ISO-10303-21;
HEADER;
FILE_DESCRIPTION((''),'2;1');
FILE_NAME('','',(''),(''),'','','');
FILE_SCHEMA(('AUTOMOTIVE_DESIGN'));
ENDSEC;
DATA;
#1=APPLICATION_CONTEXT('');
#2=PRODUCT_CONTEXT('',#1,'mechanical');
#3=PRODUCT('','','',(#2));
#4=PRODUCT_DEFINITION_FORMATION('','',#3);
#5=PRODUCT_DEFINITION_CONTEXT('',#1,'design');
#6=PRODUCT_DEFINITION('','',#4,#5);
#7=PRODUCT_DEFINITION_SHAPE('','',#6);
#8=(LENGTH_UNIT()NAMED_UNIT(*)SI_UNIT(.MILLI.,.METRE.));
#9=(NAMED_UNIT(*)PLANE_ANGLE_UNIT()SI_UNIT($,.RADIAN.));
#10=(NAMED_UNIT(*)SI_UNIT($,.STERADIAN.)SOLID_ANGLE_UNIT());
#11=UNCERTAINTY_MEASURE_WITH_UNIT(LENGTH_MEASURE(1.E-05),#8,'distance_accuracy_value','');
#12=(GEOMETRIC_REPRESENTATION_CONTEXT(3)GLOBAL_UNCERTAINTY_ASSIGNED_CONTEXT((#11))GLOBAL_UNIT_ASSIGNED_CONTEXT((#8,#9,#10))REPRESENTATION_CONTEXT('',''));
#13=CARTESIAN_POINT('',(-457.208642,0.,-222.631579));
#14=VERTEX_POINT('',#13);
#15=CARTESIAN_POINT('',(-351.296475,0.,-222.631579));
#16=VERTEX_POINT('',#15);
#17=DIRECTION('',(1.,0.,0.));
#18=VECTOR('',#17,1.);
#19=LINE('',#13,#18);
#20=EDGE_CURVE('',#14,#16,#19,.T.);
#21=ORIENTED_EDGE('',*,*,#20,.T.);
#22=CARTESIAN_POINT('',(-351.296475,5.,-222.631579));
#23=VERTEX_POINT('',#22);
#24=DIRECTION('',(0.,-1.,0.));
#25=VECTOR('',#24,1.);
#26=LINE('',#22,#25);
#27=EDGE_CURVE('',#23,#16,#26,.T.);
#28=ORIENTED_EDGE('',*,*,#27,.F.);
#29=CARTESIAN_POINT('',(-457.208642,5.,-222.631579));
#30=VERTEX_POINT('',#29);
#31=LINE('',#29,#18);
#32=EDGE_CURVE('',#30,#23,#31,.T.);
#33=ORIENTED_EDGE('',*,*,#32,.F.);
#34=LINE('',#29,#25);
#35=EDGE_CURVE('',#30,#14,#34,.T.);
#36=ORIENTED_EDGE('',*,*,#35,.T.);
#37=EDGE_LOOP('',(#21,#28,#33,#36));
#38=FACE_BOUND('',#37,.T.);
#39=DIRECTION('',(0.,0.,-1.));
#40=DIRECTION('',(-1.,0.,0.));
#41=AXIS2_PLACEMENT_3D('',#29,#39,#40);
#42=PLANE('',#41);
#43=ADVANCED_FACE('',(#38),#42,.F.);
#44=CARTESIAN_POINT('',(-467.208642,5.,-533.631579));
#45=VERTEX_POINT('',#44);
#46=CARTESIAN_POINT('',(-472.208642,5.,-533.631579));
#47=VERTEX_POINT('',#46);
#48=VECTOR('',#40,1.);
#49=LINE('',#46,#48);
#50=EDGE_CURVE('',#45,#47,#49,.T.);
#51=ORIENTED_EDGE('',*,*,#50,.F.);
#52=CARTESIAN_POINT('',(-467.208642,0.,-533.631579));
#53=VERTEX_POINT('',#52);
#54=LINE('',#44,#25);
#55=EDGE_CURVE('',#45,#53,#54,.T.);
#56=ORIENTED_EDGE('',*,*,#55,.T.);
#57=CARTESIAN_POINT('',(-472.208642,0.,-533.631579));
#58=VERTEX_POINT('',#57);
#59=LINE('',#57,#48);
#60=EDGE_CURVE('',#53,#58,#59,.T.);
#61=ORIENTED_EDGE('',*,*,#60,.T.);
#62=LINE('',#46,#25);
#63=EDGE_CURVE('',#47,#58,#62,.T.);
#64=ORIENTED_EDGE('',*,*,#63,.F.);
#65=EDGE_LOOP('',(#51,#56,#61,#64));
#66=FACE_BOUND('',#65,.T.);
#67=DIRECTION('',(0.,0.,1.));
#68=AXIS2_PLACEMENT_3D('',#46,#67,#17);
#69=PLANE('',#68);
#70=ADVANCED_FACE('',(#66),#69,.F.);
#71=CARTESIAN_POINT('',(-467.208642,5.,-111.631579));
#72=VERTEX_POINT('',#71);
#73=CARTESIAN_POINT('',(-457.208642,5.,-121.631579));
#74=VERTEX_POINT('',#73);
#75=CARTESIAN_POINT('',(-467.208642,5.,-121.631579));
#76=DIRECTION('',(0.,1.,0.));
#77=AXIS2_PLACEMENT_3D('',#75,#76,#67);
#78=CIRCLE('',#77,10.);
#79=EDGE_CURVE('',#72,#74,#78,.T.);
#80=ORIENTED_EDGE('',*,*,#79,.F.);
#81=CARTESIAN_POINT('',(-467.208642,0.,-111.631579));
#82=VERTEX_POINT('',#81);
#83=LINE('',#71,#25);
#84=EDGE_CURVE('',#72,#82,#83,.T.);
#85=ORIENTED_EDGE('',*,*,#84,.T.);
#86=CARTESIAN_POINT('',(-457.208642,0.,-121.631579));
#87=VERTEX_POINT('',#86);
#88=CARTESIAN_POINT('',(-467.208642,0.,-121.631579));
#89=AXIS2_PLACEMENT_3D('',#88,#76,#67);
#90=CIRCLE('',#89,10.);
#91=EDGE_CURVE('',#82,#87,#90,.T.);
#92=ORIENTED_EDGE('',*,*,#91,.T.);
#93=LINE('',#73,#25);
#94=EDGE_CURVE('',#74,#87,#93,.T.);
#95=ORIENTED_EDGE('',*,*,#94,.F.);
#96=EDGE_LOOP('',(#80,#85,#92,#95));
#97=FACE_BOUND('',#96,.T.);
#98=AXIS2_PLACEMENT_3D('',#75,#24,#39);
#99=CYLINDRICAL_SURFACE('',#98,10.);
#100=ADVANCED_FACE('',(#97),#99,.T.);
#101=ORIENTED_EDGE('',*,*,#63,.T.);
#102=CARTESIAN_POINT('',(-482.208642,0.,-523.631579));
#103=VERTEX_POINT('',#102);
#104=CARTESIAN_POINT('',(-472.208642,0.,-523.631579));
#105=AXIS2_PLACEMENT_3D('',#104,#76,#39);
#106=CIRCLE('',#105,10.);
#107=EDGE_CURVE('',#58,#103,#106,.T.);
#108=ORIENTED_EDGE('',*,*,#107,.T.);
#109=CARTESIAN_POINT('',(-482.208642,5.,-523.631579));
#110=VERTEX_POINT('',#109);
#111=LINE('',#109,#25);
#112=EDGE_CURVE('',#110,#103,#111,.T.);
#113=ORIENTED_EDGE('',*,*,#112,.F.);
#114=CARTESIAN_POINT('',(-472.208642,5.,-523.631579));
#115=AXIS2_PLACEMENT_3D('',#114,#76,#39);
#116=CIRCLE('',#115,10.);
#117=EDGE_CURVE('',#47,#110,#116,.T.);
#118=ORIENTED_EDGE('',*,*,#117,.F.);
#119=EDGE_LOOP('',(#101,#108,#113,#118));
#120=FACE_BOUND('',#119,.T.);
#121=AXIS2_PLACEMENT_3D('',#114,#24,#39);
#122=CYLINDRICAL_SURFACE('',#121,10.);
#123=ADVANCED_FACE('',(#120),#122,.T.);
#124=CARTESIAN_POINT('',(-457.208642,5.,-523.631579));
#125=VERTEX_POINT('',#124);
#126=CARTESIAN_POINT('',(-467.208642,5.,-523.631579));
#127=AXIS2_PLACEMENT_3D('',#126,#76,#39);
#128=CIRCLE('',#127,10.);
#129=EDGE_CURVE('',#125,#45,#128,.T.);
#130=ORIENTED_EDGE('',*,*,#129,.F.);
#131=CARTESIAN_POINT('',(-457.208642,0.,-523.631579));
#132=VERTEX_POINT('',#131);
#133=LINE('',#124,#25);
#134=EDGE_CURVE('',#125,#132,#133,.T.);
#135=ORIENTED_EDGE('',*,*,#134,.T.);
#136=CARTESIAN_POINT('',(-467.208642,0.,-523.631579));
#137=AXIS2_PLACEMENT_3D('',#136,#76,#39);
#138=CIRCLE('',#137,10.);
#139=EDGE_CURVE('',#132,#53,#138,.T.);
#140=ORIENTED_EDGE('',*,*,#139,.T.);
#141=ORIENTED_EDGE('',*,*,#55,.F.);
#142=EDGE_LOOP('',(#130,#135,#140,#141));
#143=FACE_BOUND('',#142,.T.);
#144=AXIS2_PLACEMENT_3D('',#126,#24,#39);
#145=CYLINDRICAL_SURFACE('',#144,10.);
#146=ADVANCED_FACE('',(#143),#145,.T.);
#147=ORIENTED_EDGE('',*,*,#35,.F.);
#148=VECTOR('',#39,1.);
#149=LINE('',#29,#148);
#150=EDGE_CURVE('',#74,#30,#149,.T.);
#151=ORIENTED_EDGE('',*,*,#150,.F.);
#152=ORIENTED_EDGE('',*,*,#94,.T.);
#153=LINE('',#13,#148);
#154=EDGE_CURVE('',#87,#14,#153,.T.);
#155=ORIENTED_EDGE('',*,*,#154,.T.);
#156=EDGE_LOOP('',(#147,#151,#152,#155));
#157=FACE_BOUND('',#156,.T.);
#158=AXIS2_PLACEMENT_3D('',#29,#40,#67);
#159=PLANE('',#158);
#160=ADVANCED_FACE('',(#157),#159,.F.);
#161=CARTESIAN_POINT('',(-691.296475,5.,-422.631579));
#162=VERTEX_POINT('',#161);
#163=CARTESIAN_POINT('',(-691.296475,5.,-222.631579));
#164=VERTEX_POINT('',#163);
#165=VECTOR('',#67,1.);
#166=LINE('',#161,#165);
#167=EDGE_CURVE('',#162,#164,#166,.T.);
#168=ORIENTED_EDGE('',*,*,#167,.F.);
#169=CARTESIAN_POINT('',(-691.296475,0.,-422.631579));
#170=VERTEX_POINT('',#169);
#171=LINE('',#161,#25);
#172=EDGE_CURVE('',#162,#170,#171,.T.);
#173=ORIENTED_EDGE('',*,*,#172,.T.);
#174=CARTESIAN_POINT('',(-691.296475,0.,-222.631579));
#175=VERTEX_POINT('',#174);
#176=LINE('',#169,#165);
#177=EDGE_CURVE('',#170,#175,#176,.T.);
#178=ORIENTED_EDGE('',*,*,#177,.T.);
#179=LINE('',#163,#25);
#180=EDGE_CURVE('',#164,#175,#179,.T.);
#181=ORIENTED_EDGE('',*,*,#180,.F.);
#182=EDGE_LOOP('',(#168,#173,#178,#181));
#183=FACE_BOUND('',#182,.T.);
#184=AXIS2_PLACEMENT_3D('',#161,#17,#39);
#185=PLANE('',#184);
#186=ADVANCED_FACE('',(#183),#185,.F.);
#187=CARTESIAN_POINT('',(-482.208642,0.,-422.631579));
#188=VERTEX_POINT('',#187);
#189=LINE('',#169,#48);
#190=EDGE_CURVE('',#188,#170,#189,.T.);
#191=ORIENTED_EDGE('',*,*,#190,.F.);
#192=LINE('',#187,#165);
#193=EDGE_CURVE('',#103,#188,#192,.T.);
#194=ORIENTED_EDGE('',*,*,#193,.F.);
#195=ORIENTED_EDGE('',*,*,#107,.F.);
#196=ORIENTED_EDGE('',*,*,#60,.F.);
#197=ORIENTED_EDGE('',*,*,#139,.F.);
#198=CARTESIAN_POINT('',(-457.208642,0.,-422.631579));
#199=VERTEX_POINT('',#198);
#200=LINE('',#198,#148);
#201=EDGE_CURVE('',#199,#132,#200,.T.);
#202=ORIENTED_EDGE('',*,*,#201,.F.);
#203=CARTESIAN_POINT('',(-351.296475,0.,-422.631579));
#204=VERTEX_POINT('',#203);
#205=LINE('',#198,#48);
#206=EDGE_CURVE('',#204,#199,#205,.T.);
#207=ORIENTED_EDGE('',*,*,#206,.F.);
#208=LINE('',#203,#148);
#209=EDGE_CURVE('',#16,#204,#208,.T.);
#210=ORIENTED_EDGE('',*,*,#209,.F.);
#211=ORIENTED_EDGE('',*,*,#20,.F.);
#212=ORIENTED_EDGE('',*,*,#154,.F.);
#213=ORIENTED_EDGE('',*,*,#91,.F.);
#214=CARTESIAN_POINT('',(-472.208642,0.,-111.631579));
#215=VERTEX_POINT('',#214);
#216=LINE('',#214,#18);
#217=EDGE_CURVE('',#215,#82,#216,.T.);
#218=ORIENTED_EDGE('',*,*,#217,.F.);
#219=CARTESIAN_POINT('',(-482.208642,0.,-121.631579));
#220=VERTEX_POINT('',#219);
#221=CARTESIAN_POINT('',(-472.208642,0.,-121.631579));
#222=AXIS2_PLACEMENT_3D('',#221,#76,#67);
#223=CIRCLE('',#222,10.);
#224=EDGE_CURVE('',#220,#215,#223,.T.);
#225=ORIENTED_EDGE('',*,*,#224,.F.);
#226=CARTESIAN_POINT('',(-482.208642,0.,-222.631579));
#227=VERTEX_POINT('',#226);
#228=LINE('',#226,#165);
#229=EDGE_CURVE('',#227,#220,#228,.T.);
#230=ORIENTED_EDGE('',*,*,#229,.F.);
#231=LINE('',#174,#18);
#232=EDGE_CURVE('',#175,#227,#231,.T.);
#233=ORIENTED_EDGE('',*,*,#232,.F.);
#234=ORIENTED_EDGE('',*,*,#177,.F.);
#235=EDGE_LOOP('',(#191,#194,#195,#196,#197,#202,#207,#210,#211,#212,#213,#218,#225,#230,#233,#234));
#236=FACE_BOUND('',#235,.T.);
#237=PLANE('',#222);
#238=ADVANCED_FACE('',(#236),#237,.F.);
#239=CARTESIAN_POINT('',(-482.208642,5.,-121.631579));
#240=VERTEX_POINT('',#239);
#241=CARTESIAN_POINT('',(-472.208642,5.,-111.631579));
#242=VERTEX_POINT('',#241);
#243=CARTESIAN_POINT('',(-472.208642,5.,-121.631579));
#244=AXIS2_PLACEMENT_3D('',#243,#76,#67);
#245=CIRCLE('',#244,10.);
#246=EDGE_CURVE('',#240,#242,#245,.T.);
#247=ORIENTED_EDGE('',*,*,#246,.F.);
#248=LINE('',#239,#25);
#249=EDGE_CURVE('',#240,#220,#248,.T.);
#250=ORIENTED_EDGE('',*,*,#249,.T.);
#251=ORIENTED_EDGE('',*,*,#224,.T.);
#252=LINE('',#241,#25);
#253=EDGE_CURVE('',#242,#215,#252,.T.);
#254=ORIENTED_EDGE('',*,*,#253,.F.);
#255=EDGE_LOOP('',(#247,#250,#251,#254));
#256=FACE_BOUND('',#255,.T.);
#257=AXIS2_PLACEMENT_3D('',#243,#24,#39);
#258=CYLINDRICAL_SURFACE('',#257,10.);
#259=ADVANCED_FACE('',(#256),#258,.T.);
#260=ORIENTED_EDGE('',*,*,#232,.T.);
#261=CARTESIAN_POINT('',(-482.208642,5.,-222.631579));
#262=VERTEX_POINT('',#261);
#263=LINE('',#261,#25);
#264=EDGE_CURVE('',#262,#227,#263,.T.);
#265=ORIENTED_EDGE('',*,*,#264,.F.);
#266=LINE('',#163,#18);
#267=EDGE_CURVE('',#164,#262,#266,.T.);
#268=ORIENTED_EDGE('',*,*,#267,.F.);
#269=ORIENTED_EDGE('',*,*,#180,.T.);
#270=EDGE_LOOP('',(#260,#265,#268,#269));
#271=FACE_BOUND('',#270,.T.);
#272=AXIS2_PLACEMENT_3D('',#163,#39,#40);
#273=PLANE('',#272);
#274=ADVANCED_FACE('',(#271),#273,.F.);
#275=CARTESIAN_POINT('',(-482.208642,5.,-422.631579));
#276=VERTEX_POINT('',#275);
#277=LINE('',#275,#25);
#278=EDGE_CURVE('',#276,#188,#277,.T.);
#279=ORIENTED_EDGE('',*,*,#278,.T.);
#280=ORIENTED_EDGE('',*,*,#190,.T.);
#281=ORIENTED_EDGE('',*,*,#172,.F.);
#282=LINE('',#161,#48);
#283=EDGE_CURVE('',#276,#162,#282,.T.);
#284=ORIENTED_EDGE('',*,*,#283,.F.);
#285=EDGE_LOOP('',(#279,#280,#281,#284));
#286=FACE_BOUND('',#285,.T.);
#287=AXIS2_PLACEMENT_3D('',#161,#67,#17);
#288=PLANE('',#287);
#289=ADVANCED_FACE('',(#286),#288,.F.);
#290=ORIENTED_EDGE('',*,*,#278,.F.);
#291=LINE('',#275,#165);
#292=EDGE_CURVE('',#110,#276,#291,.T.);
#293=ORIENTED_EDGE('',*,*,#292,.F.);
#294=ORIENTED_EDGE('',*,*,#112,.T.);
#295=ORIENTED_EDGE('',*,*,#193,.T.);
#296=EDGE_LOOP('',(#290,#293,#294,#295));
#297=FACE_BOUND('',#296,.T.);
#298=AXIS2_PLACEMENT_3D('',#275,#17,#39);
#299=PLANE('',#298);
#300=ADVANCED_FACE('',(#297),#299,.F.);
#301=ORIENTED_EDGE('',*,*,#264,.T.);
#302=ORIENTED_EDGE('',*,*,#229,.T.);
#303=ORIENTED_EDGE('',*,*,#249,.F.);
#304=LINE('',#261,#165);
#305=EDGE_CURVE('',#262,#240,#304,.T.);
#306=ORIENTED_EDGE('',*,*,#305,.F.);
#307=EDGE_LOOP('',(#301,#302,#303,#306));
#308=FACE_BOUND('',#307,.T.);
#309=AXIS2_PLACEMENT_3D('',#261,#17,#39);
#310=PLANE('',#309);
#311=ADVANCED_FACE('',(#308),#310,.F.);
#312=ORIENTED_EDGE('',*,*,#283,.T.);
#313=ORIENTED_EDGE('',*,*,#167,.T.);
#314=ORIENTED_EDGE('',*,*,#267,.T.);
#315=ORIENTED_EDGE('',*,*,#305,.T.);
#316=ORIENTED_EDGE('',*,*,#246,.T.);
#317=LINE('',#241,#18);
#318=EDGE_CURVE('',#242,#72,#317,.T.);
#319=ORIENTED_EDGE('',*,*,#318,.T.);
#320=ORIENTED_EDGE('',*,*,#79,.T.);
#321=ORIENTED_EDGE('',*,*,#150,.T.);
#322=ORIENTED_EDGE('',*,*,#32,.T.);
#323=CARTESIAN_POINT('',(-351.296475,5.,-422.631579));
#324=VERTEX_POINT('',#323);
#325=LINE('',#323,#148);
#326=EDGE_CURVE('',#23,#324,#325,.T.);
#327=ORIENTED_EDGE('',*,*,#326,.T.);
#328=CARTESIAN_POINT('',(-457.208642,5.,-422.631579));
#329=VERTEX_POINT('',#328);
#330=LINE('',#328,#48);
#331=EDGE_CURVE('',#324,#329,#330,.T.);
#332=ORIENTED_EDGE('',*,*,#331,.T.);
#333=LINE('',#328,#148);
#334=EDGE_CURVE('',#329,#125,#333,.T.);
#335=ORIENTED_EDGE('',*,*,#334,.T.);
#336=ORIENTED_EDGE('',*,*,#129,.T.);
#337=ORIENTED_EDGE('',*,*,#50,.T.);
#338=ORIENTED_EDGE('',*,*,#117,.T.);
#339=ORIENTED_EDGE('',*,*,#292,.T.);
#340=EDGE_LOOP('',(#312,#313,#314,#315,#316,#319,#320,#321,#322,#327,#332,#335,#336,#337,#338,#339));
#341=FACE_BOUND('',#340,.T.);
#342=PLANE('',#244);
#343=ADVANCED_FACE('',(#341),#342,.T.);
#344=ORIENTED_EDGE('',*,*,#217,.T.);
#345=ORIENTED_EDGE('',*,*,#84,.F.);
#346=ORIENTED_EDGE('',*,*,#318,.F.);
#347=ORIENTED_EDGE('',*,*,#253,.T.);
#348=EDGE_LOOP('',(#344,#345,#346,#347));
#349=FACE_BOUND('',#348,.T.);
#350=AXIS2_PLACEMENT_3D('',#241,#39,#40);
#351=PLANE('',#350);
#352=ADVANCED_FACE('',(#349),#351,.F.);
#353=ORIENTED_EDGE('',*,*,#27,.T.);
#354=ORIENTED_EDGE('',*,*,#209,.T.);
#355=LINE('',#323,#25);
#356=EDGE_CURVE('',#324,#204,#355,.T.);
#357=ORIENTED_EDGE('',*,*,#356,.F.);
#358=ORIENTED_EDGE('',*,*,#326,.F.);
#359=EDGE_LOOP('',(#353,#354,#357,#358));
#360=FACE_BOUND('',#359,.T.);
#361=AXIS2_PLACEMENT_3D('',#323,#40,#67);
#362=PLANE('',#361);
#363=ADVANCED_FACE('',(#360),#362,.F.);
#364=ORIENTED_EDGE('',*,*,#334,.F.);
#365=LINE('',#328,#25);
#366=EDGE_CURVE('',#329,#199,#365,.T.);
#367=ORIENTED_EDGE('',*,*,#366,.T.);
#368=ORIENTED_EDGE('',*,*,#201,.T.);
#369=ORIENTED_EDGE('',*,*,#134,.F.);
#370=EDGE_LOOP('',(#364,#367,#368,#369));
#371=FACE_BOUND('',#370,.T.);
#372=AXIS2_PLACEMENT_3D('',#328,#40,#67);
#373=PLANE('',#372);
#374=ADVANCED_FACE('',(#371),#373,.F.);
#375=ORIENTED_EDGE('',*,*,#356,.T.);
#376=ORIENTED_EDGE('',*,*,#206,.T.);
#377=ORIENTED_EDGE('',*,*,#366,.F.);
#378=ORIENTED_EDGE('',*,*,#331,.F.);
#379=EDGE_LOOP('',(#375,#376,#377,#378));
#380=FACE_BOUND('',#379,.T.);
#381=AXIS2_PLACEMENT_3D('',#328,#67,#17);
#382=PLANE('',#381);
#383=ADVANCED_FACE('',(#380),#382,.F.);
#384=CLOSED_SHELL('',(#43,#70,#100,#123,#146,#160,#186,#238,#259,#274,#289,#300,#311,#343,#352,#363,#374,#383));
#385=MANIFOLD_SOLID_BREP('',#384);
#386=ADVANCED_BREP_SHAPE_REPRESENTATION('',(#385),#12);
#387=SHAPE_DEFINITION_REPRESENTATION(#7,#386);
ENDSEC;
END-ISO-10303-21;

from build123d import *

# Parameters (mm, degrees)
BOSS_EXTRUDE1_DEPTH = 5


with BuildPart() as part:
    # Sketch1 → Boss-Extrude1 (new body)
    with BuildSketch(Plane(origin=(0, 0, 0), x_dir=(1, 0, 0), z_dir=(0, 1, 0))):
        with BuildLine():
            Line((-457.208642176, 422.631578947), (-351.296475424, 422.631578947))
            Line((-351.296475424, 422.631578947), (-351.296475424, 222.631578947))
            Line((-351.296475424, 222.631578947), (-457.208642176, 222.631578947))
            Line((-457.208642176, 222.631578947), (-457.208642176, 121.631578947))
            ThreePointArc((-457.208642176, 121.631578947), (-460.137574364, 114.560511136), (-467.208642176, 111.631578947))
            Line((-467.208642176, 111.631578947), (-472.208642176, 111.631578947))
            ThreePointArc((-472.208642176, 111.631578947), (-479.279709988, 114.560511136), (-482.208642176, 121.631578947))
            Line((-482.208642176, 121.631578947), (-482.208642176, 222.631578947))
            Line((-482.208642176, 222.631578947), (-691.296475424, 222.631578947))
            Line((-691.296475424, 222.631578947), (-691.296475424, 422.631578947))
            Line((-691.296475424, 422.631578947), (-482.208642176, 422.631578947))
            Line((-482.208642176, 422.631578947), (-482.208642176, 523.631578947))
            ThreePointArc((-482.208642176, 523.631578947), (-479.279709988, 530.702646759), (-472.208642176, 533.631578947))
            Line((-472.208642176, 533.631578947), (-467.208642176, 533.631578947))
            ThreePointArc((-467.208642176, 533.631578947), (-460.137574364, 530.702646759), (-457.208642176, 523.631578947))
            Line((-457.208642176, 523.631578947), (-457.208642176, 422.631578947))
        make_face()
    extrude(amount=BOSS_EXTRUDE1_DEPTH)


solid = part.part
